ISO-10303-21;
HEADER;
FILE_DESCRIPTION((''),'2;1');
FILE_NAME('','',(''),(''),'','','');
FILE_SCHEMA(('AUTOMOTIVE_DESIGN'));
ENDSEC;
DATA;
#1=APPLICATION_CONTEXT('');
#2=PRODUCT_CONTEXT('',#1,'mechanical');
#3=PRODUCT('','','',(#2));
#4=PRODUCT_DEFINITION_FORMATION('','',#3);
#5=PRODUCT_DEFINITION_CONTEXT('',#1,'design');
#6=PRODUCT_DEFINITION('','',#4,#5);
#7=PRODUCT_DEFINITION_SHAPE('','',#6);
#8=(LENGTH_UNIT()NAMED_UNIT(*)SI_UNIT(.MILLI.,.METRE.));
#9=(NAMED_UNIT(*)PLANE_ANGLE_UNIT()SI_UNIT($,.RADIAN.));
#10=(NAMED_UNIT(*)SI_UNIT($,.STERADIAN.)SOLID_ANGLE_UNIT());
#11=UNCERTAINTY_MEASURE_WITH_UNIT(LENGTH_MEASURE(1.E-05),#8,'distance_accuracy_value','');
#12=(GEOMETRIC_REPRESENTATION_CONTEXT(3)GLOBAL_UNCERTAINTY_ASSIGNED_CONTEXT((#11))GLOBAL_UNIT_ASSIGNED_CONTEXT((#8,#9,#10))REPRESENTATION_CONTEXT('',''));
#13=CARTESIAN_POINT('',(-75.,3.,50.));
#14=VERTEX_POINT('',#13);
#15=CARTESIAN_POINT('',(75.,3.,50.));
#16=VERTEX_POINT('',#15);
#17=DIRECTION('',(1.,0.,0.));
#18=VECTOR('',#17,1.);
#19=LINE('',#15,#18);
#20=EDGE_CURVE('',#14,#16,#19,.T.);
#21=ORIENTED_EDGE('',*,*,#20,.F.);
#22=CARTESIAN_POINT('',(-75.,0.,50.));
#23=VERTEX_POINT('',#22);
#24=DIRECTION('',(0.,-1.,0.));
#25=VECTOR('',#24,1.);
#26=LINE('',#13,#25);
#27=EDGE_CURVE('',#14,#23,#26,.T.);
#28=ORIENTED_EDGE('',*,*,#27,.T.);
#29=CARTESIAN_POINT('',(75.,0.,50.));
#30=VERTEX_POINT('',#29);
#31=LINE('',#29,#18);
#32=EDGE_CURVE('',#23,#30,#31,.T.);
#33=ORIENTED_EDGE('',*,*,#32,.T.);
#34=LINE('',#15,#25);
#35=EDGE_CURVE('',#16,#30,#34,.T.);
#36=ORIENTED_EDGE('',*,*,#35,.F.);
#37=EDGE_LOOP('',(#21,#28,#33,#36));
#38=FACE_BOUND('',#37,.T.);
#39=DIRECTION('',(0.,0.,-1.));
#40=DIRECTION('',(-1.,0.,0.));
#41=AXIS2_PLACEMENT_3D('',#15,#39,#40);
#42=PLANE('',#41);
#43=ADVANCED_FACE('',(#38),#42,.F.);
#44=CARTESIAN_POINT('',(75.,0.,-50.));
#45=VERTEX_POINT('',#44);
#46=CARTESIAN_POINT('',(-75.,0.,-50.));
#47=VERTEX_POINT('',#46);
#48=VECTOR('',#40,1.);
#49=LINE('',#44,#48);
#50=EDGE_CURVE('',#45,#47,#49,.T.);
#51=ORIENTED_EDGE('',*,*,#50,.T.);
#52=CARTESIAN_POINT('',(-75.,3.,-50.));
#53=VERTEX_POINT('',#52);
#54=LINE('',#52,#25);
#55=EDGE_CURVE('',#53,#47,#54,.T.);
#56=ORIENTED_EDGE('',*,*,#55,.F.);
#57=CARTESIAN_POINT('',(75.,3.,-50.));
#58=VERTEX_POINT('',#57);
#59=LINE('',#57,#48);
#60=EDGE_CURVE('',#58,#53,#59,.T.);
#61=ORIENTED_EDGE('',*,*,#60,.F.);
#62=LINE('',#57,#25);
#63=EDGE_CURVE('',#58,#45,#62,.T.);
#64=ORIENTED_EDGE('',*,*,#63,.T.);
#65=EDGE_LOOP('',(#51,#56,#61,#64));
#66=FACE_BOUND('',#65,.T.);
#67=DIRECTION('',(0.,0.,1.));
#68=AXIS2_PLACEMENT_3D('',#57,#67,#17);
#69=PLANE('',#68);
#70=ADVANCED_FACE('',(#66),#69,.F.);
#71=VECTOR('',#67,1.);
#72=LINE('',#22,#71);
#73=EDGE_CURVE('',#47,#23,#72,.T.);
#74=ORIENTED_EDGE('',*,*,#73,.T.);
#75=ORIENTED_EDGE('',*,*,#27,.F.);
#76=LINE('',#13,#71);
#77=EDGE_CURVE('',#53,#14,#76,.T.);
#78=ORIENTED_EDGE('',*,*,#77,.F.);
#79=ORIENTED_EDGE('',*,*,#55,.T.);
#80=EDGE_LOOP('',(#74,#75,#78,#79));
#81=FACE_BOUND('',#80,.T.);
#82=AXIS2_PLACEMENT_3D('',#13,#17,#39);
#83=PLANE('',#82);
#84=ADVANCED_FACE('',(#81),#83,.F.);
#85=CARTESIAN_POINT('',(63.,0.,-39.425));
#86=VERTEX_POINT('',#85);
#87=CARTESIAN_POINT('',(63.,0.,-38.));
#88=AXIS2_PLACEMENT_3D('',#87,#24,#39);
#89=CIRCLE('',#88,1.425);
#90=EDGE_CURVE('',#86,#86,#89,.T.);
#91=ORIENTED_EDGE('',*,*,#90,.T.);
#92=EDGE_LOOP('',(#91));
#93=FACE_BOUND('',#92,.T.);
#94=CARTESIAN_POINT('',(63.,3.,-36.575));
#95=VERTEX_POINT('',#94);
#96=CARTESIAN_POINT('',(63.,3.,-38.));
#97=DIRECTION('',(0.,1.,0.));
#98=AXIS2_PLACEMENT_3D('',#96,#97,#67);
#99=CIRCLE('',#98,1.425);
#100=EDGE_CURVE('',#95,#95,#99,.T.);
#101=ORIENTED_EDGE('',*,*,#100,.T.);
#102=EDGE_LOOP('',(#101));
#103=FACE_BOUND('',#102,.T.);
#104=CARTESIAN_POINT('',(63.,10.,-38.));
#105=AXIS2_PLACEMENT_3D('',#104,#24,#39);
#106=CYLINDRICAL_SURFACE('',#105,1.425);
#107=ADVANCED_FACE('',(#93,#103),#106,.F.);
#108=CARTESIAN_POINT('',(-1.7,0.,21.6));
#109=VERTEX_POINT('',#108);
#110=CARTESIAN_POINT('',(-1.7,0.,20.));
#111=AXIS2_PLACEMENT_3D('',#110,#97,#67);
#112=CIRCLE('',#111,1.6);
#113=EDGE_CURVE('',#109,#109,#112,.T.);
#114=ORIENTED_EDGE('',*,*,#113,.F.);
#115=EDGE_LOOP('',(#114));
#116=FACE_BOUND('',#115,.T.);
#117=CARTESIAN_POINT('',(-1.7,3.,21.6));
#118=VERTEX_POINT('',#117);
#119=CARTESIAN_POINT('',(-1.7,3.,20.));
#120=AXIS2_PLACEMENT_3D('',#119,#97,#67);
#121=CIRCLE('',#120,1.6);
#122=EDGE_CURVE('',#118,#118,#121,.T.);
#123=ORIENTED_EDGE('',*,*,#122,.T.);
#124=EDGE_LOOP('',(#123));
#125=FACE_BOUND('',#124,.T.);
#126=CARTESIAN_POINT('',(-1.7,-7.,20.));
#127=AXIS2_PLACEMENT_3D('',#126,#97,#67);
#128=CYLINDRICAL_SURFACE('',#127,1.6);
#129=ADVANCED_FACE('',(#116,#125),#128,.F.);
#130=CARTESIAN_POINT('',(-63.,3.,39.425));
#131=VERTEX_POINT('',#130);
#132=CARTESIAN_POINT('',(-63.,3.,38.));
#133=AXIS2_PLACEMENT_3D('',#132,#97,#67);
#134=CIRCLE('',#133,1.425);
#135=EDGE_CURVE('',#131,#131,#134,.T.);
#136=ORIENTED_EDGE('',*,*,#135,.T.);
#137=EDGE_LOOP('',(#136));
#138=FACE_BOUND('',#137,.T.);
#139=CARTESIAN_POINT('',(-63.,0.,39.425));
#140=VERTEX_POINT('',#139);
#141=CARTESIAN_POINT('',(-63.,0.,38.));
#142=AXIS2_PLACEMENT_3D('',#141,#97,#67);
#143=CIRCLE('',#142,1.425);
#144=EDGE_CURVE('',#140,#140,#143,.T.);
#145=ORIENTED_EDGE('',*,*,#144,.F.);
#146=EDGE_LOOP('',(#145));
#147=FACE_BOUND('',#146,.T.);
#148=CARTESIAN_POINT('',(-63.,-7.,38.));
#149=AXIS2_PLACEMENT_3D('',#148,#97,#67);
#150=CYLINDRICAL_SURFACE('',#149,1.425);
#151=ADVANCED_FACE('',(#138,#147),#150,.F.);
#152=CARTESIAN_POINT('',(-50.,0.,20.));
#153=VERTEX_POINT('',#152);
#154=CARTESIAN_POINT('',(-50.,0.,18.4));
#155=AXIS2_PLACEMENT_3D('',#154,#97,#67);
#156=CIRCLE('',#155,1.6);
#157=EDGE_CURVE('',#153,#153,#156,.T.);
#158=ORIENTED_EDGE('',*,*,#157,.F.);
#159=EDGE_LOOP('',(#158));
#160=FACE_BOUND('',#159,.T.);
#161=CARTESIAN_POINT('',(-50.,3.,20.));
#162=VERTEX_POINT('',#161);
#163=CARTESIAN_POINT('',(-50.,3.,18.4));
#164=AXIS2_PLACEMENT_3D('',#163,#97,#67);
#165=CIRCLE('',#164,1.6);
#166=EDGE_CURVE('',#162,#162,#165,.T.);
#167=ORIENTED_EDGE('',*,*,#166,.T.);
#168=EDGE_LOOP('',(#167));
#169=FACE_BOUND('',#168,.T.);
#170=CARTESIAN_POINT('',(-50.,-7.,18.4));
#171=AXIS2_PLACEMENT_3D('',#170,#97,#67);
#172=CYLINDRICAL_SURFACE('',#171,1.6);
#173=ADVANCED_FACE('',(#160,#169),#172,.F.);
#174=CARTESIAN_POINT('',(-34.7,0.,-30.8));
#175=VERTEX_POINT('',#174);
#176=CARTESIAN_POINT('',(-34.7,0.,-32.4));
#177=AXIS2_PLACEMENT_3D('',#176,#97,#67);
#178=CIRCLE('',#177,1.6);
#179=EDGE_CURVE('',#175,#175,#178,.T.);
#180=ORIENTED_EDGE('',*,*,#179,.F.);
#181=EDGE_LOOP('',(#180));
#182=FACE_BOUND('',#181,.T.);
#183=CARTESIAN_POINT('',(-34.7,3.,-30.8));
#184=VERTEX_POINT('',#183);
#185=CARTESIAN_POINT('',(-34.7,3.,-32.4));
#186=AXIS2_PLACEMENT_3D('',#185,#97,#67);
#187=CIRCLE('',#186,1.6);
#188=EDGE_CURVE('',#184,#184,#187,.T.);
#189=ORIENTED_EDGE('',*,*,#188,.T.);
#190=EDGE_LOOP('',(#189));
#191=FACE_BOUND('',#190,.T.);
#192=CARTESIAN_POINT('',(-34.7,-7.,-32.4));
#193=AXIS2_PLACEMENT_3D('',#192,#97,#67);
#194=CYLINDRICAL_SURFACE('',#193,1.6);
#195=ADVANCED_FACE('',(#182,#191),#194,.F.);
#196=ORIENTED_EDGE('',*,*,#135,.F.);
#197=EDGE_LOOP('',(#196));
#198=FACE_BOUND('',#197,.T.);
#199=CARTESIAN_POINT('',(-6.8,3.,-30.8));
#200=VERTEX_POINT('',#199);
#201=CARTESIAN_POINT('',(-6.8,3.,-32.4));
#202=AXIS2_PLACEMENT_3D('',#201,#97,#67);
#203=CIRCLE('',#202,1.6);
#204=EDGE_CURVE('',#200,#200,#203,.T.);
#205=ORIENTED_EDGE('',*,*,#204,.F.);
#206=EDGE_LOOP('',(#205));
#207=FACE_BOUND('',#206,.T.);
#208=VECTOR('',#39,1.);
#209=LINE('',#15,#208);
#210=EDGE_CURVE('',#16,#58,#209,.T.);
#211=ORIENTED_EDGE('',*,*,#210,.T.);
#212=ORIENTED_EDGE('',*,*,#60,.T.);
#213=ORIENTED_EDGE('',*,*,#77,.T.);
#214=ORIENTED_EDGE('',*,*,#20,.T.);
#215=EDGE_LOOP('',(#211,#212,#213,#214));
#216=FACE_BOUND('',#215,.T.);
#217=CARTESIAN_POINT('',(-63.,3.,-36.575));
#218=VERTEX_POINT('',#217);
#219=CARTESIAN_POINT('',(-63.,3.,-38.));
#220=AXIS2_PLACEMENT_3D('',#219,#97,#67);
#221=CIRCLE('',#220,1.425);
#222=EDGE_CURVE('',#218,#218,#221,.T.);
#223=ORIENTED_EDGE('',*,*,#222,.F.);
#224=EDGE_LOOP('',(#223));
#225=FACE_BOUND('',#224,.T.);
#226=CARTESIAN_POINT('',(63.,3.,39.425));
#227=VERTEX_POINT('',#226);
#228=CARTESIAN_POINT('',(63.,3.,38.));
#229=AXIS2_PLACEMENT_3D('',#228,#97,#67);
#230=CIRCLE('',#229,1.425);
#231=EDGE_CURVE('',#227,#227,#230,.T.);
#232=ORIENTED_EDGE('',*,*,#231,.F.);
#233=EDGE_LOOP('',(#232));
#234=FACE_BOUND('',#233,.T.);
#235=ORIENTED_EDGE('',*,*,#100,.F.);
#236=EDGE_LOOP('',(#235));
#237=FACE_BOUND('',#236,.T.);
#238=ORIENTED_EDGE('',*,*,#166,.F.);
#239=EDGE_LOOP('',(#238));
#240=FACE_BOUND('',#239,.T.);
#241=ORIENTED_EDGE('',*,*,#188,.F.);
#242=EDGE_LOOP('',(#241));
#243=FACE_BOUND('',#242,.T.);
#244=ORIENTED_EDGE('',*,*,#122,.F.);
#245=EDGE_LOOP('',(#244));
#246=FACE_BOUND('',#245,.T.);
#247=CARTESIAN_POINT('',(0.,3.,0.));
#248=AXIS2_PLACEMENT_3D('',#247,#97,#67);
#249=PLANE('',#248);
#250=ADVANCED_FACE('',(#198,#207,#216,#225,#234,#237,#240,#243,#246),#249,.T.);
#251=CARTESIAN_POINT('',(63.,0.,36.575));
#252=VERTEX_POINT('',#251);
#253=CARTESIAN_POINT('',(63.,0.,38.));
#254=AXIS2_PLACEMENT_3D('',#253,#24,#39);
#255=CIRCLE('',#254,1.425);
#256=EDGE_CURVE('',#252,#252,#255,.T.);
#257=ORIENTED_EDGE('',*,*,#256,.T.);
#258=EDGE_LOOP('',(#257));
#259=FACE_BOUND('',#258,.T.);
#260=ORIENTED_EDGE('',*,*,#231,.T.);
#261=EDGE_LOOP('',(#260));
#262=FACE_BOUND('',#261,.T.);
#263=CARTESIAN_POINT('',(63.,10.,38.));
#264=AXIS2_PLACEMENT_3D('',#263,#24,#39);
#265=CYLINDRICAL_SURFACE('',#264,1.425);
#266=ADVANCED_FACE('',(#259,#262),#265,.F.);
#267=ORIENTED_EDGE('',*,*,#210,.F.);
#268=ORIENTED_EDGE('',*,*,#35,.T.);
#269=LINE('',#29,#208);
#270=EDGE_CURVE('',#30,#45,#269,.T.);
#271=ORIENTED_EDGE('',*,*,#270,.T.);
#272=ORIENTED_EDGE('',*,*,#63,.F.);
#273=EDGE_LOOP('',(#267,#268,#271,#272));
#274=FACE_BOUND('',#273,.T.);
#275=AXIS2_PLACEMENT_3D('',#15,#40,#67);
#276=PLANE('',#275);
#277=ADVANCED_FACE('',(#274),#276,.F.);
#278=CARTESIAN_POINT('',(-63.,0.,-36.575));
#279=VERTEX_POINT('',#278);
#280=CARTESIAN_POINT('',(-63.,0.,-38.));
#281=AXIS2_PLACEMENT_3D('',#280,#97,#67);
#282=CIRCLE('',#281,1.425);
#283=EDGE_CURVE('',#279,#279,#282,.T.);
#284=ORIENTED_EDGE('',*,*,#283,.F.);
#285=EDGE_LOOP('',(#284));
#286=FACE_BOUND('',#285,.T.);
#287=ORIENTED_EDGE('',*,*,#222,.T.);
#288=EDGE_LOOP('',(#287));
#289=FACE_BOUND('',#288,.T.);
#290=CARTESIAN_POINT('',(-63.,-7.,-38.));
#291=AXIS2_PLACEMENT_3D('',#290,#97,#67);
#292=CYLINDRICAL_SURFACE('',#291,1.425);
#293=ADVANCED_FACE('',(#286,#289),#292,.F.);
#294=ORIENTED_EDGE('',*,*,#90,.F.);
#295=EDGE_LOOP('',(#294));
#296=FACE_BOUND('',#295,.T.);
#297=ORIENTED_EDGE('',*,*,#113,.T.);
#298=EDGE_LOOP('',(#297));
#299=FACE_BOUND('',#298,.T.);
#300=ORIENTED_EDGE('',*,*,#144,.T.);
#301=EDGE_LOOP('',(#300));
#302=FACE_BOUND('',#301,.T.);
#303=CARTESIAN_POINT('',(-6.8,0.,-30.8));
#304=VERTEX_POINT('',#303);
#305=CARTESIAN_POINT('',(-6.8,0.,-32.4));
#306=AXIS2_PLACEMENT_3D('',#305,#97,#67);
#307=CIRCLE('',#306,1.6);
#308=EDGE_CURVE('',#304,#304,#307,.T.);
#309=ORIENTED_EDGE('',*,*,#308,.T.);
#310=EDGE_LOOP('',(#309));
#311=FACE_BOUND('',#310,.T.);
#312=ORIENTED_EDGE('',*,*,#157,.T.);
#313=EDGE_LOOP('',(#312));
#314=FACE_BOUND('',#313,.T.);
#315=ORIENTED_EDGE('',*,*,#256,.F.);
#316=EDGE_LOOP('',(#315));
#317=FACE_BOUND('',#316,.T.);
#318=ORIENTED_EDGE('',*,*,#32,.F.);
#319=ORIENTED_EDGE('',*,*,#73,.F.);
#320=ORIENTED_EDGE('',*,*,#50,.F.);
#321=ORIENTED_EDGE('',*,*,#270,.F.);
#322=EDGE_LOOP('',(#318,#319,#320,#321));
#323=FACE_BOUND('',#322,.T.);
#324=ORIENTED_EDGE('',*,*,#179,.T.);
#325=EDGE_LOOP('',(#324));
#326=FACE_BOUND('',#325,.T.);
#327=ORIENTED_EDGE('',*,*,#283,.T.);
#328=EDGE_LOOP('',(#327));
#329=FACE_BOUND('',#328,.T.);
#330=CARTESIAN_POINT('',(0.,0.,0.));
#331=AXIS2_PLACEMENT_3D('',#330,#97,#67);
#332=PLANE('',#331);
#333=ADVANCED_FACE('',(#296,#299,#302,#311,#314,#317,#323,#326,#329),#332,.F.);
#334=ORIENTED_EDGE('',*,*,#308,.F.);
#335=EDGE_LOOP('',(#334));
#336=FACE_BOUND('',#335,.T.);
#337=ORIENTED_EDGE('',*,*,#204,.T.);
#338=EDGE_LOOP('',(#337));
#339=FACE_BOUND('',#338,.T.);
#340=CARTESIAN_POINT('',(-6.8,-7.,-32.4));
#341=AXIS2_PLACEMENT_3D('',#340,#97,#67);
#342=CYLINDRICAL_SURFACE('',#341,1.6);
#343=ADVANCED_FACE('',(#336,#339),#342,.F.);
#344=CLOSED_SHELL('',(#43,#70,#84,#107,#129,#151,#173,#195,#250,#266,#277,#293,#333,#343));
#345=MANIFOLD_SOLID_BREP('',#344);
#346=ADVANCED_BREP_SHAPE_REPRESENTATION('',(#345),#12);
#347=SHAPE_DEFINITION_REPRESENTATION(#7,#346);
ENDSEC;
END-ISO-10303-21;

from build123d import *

# Parameters (mm, degrees)
SKETCH1_W           = 150
SKETCH1_H           = 100
BOSS_EXTRUDE1_DEPTH = 3
SKETCH2_R           = 1.425
CUT_EXTRUDE1_DEPTH  = 10
LPATTERN1_COUNT     = 2
LPATTERN1_PITCH     = 76
SKETCH5_R           = 1.6
CUT_EXTRUDE4_DEPTH  = 10
SKETCH6_R           = 1.425
CUT_EXTRUDE5_DEPTH  = 10


with BuildPart() as part:
    # Sketch1 → Boss-Extrude1 (new body)
    with BuildSketch(Plane(origin=(0, 0, 0), x_dir=(1, 0, 0), z_dir=(0, 1, 0))):
        Rectangle(SKETCH1_W, SKETCH1_H)
    extrude(amount=BOSS_EXTRUDE1_DEPTH)

    # Sketch2 → Cut-Extrude1 (cut)
    with BuildSketch(Plane(origin=(0, 3, 0), x_dir=(1, 0, 0), z_dir=(0, 1, 0))):
        with Locations((-63, 38)):
            Circle(SKETCH2_R)
    cut_extrude1 = extrude(amount=-CUT_EXTRUDE1_DEPTH, mode=Mode.SUBTRACT)

    # LPattern1: Cut-Extrude1 ×2
    with Locations(*[(0, 0, i * LPATTERN1_PITCH) for i in range(1, LPATTERN1_COUNT)]):
        add(cut_extrude1, mode=Mode.SUBTRACT)

    # Sketch5 → Cut-Extrude4 (cut)
    with BuildSketch(Plane(origin=(0, 3, 0), x_dir=(1, 0, 0), z_dir=(0, 1, 0))):
        with Locations((-34.7, 32.4)):
            Circle(SKETCH5_R)
        with Locations((-6.8, 32.4)):
            Circle(SKETCH5_R)
        with Locations((-1.7, -20)):
            Circle(SKETCH5_R)
        with Locations((-50, -18.4)):
            Circle(SKETCH5_R)
    extrude(amount=-CUT_EXTRUDE4_DEPTH, mode=Mode.SUBTRACT)

    # Sketch6 → Cut-Extrude5 (cut)
    with BuildSketch(Plane.XZ):
        with Locations((63, 38)):
            Circle(SKETCH6_R)
        with Locations((63, -38)):
            Circle(SKETCH6_R)
    extrude(amount=-CUT_EXTRUDE5_DEPTH, mode=Mode.SUBTRACT)


solid = part.part
